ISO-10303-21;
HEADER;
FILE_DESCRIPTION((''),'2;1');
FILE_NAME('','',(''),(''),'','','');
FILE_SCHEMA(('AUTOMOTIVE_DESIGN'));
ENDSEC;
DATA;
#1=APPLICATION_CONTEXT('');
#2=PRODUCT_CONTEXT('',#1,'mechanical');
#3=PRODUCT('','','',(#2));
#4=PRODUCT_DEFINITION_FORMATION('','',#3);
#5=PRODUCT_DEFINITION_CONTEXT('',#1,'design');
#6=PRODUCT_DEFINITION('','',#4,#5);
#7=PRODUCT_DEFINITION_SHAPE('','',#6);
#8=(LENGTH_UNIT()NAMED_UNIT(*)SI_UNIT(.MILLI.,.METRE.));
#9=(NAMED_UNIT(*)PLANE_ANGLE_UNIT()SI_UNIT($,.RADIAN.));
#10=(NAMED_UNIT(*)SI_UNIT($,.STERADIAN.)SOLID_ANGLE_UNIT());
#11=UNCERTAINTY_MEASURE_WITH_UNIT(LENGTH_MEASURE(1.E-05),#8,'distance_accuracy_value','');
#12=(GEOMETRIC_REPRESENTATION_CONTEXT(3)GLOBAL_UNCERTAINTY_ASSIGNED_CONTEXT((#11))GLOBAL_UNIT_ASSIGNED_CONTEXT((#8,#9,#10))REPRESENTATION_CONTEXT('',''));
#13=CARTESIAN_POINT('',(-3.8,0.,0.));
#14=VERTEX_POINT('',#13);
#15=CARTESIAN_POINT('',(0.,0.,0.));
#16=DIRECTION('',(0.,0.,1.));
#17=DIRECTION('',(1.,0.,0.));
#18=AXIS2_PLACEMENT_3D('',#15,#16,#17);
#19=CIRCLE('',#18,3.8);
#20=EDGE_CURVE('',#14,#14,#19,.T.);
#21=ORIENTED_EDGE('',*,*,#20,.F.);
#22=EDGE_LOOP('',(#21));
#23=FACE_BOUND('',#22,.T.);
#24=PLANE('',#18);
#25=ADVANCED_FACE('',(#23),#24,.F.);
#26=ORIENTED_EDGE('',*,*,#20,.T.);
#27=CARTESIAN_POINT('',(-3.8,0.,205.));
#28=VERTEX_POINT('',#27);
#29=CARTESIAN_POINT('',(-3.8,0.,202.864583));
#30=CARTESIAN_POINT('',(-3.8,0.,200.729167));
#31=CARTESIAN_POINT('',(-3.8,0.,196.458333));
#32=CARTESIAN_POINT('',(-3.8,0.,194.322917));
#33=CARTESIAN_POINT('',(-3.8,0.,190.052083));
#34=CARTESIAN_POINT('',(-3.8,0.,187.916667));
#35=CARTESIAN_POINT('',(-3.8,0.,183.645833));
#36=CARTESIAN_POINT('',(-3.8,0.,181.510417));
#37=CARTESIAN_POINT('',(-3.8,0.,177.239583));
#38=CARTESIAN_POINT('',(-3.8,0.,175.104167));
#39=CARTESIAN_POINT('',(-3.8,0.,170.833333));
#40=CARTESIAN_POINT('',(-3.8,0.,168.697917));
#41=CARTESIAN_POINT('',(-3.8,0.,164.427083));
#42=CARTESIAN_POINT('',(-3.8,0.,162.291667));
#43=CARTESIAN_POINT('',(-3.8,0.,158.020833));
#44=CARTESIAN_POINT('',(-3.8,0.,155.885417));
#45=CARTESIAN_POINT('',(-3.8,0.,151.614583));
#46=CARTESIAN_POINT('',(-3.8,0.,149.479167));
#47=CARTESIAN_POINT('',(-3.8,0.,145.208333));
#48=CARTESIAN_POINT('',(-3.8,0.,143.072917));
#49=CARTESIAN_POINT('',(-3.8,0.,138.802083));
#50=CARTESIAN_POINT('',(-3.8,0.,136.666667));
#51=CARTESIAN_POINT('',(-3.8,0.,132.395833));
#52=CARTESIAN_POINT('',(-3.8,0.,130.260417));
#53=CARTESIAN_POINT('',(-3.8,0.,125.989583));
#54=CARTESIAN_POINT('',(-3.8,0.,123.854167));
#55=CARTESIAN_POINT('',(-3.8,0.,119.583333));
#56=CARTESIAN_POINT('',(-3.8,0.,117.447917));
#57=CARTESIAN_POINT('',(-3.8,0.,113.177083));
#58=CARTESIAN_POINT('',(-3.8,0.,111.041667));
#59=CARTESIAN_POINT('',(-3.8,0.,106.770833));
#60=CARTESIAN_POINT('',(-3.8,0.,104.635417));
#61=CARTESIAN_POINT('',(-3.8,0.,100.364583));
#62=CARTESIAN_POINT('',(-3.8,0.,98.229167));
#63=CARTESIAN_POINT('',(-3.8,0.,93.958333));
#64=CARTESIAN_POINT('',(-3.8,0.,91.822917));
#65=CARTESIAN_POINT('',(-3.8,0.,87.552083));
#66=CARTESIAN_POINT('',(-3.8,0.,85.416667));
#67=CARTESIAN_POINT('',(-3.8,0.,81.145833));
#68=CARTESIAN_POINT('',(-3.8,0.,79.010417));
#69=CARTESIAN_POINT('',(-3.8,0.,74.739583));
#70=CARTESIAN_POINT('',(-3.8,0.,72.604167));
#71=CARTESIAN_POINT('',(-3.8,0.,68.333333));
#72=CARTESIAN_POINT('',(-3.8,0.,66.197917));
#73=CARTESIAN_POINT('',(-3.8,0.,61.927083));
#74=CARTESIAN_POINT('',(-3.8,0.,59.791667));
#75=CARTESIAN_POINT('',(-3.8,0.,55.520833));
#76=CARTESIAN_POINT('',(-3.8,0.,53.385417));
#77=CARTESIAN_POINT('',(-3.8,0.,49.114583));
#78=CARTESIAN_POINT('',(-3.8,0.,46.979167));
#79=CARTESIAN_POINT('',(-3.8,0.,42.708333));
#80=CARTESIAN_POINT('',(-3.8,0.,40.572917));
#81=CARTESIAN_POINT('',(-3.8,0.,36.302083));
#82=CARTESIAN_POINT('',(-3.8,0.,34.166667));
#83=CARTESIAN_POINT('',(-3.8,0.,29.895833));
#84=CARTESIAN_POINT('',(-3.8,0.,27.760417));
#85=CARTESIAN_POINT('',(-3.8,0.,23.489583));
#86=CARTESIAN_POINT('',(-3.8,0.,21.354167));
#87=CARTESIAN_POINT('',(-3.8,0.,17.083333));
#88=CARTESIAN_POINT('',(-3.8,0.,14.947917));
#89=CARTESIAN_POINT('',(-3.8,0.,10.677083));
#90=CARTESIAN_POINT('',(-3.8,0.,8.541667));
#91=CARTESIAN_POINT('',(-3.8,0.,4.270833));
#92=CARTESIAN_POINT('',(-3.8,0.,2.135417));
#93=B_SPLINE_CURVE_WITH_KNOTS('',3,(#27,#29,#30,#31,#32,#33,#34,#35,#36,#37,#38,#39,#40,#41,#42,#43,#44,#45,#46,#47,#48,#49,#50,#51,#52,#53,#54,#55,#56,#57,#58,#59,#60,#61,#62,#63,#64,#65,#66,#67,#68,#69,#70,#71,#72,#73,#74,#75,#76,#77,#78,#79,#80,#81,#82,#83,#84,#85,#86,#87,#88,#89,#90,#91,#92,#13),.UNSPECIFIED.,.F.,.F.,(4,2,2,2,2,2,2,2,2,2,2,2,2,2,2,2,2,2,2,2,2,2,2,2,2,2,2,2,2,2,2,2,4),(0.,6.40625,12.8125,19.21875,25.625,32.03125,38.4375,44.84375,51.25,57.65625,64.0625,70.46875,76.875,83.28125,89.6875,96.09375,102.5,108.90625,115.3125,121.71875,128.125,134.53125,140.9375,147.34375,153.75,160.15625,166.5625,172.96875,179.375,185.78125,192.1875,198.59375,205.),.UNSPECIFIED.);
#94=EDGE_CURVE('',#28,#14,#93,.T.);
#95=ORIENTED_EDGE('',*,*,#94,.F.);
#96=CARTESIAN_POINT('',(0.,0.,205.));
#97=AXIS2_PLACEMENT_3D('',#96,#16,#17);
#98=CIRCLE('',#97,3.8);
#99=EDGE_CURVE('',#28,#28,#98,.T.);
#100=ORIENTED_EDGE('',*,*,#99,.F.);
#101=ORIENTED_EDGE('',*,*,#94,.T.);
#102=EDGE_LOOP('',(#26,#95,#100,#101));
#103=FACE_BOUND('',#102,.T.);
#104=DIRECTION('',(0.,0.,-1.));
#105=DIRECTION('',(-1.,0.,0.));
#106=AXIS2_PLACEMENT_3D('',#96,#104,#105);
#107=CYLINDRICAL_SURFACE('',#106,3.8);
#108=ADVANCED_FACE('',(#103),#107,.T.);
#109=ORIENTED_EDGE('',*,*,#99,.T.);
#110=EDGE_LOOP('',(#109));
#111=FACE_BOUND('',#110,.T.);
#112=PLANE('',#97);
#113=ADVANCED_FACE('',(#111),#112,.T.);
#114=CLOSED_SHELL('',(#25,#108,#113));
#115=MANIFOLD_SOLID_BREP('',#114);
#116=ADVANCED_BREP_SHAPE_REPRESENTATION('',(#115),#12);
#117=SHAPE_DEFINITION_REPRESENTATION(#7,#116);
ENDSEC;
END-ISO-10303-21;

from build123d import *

# Parameters (mm, degrees)
SKETCH_1_R  = 3.8
CABLE_DEPTH = 205


with BuildPart() as part:
    # 草图1 → Cable (new body)
    with BuildSketch(Plane.XY):
        with Locations(Location((0, 0, 0), (0, 0, 180))):
            Circle(SKETCH_1_R)
    extrude(amount=CABLE_DEPTH)


solid = part.part
